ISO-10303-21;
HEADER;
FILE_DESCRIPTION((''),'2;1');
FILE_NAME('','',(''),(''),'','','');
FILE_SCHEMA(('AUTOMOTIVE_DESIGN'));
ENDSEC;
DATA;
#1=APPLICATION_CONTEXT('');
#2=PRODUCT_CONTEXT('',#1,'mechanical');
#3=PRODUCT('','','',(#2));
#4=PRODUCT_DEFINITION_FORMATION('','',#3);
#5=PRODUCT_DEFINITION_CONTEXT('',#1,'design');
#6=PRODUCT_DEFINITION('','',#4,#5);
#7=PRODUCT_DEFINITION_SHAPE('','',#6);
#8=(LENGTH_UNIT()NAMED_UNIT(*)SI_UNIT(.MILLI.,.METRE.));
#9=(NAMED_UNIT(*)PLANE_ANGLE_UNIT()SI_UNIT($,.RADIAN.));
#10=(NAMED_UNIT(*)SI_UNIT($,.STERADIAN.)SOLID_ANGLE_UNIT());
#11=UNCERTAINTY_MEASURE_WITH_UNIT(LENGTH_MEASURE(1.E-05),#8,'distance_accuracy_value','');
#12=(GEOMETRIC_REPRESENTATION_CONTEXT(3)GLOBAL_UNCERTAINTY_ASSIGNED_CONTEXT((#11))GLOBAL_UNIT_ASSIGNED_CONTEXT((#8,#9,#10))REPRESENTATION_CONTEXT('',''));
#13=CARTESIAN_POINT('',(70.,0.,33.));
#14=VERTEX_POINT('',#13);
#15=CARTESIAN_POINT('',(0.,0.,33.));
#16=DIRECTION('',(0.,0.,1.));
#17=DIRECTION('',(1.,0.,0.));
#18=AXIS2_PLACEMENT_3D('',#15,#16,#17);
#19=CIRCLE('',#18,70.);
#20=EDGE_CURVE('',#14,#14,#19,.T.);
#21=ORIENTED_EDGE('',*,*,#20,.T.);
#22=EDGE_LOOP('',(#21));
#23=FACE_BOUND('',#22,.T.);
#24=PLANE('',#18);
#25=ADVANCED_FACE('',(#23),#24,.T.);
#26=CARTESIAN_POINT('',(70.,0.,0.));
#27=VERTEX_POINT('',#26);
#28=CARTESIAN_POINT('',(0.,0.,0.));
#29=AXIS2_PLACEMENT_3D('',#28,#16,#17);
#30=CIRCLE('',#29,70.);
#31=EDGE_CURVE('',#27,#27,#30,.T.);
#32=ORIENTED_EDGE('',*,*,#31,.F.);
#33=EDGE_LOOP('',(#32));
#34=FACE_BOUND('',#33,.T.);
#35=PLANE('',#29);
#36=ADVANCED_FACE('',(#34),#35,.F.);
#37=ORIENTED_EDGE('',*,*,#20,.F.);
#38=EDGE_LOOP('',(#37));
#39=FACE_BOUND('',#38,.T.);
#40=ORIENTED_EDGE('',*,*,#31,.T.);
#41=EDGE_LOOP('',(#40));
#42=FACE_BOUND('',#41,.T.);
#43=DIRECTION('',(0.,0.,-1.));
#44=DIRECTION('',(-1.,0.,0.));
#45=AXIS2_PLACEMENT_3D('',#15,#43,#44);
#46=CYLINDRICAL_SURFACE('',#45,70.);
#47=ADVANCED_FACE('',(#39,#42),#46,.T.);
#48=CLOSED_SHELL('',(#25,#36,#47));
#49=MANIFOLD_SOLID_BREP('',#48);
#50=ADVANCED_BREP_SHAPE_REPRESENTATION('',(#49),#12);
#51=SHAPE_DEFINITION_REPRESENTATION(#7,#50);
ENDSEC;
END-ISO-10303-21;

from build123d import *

# Parameters (mm, degrees)
SKETCH1_R           = 70
BOSS_EXTRUDE1_DEPTH = 33


with BuildPart() as part:
    # Sketch1 → Boss-Extrude1 (new body)
    with BuildSketch(Plane.XY):
        Circle(SKETCH1_R)
    extrude(amount=BOSS_EXTRUDE1_DEPTH)


solid = part.part
